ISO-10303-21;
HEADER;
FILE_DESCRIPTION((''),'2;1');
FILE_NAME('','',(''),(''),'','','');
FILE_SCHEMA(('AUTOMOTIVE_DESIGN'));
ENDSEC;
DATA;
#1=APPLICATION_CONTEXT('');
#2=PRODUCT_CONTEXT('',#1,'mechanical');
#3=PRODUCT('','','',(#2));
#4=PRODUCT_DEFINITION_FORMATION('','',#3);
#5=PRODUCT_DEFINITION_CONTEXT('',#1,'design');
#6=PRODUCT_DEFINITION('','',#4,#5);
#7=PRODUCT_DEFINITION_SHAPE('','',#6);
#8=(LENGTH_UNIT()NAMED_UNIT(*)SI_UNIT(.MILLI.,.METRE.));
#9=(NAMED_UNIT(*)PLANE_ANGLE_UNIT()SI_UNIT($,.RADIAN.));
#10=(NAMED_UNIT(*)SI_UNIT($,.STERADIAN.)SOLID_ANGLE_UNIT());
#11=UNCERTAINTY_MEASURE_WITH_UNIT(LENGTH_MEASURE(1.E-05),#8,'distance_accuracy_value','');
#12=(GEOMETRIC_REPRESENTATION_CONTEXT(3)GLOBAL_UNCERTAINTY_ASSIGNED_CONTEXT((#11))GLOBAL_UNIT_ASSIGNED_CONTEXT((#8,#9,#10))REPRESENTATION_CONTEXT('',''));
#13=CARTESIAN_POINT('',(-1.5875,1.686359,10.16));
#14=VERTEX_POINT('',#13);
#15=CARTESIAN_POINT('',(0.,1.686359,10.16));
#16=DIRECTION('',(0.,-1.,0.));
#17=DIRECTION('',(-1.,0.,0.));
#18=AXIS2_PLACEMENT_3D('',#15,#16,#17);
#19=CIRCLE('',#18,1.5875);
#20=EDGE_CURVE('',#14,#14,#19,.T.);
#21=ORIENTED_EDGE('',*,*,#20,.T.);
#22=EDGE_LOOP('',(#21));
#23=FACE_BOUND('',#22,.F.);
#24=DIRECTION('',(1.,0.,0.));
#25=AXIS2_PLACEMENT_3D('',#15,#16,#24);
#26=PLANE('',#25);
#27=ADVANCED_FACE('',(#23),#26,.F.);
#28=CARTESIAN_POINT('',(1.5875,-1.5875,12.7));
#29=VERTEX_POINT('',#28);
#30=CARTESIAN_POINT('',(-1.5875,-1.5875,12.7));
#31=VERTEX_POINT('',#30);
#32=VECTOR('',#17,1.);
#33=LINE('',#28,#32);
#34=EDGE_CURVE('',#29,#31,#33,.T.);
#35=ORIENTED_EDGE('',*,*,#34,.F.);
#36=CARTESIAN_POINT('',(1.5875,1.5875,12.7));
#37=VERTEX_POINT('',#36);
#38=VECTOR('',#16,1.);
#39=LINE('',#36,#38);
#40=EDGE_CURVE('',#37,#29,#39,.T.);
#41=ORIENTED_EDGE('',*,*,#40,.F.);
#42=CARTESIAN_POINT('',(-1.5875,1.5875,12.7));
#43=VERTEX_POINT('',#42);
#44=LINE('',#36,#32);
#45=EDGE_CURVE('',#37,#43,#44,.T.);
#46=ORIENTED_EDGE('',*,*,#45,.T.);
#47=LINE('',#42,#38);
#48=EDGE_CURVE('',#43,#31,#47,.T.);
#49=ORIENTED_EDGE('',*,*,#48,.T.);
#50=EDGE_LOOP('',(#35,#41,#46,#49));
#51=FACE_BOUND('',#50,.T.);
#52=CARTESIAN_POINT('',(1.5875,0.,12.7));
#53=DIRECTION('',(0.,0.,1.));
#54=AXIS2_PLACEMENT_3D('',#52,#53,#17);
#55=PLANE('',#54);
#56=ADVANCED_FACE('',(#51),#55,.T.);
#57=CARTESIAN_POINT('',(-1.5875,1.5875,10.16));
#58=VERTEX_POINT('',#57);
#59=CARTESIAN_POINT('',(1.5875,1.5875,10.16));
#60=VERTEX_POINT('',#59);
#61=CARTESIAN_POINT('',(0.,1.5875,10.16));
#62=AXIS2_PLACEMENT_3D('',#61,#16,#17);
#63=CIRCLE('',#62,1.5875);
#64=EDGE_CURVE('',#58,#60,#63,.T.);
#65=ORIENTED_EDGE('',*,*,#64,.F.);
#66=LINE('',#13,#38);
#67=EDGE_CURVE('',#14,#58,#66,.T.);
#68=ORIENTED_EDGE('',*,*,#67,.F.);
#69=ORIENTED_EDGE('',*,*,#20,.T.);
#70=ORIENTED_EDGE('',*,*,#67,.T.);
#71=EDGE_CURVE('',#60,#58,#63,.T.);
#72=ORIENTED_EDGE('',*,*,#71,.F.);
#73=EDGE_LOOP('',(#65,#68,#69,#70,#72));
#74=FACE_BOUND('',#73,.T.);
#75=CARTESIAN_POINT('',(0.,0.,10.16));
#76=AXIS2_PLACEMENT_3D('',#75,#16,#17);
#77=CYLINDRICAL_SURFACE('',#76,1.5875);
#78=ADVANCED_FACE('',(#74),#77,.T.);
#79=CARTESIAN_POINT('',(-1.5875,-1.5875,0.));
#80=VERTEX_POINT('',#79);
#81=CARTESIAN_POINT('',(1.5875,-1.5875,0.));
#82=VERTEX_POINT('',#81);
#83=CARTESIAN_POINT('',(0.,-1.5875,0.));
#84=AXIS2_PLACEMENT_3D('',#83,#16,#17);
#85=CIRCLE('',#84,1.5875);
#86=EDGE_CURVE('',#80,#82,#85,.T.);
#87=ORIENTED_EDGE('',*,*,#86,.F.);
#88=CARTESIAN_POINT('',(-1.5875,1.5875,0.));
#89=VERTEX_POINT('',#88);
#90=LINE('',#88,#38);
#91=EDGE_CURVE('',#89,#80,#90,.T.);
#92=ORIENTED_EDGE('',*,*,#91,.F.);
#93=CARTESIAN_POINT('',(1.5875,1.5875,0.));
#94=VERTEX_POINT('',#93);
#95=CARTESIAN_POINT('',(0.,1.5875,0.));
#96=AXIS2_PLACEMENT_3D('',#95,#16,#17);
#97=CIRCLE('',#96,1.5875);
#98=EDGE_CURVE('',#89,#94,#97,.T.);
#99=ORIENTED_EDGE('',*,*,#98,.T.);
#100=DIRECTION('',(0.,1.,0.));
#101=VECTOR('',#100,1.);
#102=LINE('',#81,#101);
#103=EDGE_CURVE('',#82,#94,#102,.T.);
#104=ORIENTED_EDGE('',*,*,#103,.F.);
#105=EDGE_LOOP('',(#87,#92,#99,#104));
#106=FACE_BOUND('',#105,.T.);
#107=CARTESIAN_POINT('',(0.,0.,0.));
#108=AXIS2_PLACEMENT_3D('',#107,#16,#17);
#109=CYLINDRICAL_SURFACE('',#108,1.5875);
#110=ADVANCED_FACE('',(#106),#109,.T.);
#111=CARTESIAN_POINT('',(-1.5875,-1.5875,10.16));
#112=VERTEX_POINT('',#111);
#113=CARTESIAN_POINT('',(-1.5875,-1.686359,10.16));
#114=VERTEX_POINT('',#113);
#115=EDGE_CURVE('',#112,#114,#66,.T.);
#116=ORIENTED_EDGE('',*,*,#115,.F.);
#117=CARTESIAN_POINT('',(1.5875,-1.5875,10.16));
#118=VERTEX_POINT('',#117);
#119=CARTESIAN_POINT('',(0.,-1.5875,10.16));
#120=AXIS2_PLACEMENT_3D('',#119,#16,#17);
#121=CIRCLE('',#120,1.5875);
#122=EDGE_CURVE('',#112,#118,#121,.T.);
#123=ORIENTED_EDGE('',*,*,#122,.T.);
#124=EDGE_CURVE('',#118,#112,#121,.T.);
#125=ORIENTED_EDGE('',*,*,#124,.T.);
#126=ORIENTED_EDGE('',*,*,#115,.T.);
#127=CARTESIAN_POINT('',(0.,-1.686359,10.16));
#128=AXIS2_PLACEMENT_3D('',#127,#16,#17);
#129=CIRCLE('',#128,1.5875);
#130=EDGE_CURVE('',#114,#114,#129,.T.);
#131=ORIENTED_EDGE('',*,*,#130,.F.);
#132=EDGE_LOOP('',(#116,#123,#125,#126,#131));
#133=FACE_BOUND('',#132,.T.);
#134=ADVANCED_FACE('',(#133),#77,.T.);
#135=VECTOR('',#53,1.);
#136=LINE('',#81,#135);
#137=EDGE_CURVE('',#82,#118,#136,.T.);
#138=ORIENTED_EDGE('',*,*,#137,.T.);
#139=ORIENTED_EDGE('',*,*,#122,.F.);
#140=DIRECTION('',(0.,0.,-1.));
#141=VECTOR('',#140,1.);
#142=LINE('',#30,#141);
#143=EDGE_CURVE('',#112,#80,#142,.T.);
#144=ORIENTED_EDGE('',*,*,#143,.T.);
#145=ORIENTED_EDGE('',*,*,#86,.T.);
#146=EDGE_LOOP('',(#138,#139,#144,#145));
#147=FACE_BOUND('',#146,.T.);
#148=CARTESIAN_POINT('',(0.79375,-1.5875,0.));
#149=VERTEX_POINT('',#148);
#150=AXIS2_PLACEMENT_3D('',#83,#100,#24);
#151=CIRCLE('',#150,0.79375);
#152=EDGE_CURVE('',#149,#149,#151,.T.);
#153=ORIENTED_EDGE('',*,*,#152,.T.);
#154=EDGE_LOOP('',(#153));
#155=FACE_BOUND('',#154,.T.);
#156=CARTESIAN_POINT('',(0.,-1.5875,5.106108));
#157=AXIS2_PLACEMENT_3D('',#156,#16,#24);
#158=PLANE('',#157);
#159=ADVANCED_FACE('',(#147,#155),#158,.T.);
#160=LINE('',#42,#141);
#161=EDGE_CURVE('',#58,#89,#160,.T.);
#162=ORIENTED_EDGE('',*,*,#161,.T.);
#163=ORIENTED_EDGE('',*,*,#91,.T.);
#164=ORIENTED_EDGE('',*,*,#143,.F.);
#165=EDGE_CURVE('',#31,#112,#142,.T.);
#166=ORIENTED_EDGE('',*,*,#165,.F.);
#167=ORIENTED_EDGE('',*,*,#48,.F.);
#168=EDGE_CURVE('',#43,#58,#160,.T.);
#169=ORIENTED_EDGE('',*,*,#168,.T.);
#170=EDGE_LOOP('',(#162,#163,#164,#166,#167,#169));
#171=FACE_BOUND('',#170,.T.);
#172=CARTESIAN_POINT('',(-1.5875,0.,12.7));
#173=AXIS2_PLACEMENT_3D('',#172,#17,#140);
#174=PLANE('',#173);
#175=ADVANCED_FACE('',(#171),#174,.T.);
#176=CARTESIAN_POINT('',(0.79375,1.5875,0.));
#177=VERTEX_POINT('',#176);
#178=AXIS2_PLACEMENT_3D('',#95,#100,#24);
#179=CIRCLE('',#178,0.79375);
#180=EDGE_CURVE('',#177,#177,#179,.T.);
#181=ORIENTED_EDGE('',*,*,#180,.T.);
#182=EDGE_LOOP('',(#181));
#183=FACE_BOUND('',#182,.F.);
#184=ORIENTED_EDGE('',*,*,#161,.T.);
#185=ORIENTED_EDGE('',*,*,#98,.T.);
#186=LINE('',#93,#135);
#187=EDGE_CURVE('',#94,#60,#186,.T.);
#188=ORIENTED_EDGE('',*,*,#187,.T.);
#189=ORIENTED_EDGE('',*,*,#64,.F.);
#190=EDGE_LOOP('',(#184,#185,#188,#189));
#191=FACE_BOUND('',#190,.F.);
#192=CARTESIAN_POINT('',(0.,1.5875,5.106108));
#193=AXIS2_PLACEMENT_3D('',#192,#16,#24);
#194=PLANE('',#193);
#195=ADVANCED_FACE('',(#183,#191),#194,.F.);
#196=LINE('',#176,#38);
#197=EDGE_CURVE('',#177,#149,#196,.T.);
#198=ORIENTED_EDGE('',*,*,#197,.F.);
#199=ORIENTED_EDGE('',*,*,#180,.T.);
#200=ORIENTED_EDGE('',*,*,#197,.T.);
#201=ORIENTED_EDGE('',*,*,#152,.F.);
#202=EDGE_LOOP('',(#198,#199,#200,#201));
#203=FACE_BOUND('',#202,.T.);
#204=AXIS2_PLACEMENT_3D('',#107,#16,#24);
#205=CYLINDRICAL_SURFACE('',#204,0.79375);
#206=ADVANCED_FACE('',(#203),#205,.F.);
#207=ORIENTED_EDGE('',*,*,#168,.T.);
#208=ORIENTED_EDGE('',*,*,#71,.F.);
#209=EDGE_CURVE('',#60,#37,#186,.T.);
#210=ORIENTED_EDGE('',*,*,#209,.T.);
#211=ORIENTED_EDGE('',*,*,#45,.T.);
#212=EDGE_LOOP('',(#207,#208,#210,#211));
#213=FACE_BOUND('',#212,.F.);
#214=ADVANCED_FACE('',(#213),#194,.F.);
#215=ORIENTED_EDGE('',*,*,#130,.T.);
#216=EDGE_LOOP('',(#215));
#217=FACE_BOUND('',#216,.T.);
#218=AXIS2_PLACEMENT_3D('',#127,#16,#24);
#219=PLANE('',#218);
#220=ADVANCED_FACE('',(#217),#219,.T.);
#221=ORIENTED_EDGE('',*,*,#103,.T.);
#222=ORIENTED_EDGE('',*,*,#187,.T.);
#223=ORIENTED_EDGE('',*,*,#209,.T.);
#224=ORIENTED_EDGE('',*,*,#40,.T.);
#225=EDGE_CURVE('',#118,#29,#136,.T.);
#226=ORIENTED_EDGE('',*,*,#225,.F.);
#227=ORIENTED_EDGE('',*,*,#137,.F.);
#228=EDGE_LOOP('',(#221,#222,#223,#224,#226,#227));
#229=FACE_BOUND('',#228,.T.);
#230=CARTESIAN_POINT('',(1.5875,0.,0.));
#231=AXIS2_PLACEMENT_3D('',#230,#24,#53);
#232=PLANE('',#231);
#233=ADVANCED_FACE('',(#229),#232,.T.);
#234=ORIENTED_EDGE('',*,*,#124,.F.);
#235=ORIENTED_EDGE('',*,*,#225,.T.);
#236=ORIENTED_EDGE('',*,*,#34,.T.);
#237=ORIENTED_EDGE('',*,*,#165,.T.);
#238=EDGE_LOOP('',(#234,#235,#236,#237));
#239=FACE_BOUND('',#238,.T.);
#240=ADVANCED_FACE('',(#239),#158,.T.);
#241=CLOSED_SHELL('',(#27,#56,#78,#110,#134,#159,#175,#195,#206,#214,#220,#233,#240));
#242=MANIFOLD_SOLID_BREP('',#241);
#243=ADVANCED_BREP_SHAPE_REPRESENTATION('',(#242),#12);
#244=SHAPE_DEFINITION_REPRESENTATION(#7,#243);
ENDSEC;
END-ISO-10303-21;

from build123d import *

# Parameters (mm, degrees)
F1_DEPTH = 1.5875
F2_DEPTH = 1.6863590572


with BuildPart() as f1:
    # F0 (on Front) → F1 (new body, symmetric)
    with BuildSketch(Plane.XZ):
        with BuildLine():
            Line((-1.5875, 10.16), (-1.5875, 0))
            Line((-1.5875, 0), (-0.79375, 0))
            ThreePointArc((-0.79375, 0), (0, 0.79375), (0.79375, 0))
            Line((0.79375, 0), (1.5875, 0))
            Line((1.5875, 0), (1.5875, 10.16))
            ThreePointArc((1.5875, 10.16), (0, 8.5725), (-1.5875, 10.16))
        make_face()
        with BuildLine():
            ThreePointArc((1.5875, 10.16), (0, 11.7475), (-1.5875, 10.16))
            ThreePointArc((-1.5875, 10.16), (0, 8.5725), (1.5875, 10.16))
        make_face()
        with BuildLine():
            Line((-1.5875, 12.7), (-1.5875, 10.16))
            ThreePointArc((-1.5875, 10.16), (0, 11.7475), (1.5875, 10.16))
            Line((1.5875, 10.16), (1.5875, 12.7))
            Line((1.5875, 12.7), (-1.5875, 12.7))
        make_face()
        with BuildLine():
            Line((-0.79375, 0), (-1.5875, 0))
            ThreePointArc((-1.5875, 0), (0, -1.5875), (1.5875, 0))
            Line((1.5875, 0), (0.79375, 0))
            ThreePointArc((0.79375, 0), (0, -0.79375), (-0.79375, 0))
        make_face()
    extrude(amount=F1_DEPTH, both=True)

    # F0 (on Front) → F2 (join, symmetric)
    with BuildSketch(Plane.XZ):
        with BuildLine():
            ThreePointArc((1.5875, 10.16), (0, 11.7475), (-1.5875, 10.16))
            ThreePointArc((-1.5875, 10.16), (0, 8.5725), (1.5875, 10.16))
        make_face()
    extrude(amount=F2_DEPTH, both=True)


solid = f1.part
